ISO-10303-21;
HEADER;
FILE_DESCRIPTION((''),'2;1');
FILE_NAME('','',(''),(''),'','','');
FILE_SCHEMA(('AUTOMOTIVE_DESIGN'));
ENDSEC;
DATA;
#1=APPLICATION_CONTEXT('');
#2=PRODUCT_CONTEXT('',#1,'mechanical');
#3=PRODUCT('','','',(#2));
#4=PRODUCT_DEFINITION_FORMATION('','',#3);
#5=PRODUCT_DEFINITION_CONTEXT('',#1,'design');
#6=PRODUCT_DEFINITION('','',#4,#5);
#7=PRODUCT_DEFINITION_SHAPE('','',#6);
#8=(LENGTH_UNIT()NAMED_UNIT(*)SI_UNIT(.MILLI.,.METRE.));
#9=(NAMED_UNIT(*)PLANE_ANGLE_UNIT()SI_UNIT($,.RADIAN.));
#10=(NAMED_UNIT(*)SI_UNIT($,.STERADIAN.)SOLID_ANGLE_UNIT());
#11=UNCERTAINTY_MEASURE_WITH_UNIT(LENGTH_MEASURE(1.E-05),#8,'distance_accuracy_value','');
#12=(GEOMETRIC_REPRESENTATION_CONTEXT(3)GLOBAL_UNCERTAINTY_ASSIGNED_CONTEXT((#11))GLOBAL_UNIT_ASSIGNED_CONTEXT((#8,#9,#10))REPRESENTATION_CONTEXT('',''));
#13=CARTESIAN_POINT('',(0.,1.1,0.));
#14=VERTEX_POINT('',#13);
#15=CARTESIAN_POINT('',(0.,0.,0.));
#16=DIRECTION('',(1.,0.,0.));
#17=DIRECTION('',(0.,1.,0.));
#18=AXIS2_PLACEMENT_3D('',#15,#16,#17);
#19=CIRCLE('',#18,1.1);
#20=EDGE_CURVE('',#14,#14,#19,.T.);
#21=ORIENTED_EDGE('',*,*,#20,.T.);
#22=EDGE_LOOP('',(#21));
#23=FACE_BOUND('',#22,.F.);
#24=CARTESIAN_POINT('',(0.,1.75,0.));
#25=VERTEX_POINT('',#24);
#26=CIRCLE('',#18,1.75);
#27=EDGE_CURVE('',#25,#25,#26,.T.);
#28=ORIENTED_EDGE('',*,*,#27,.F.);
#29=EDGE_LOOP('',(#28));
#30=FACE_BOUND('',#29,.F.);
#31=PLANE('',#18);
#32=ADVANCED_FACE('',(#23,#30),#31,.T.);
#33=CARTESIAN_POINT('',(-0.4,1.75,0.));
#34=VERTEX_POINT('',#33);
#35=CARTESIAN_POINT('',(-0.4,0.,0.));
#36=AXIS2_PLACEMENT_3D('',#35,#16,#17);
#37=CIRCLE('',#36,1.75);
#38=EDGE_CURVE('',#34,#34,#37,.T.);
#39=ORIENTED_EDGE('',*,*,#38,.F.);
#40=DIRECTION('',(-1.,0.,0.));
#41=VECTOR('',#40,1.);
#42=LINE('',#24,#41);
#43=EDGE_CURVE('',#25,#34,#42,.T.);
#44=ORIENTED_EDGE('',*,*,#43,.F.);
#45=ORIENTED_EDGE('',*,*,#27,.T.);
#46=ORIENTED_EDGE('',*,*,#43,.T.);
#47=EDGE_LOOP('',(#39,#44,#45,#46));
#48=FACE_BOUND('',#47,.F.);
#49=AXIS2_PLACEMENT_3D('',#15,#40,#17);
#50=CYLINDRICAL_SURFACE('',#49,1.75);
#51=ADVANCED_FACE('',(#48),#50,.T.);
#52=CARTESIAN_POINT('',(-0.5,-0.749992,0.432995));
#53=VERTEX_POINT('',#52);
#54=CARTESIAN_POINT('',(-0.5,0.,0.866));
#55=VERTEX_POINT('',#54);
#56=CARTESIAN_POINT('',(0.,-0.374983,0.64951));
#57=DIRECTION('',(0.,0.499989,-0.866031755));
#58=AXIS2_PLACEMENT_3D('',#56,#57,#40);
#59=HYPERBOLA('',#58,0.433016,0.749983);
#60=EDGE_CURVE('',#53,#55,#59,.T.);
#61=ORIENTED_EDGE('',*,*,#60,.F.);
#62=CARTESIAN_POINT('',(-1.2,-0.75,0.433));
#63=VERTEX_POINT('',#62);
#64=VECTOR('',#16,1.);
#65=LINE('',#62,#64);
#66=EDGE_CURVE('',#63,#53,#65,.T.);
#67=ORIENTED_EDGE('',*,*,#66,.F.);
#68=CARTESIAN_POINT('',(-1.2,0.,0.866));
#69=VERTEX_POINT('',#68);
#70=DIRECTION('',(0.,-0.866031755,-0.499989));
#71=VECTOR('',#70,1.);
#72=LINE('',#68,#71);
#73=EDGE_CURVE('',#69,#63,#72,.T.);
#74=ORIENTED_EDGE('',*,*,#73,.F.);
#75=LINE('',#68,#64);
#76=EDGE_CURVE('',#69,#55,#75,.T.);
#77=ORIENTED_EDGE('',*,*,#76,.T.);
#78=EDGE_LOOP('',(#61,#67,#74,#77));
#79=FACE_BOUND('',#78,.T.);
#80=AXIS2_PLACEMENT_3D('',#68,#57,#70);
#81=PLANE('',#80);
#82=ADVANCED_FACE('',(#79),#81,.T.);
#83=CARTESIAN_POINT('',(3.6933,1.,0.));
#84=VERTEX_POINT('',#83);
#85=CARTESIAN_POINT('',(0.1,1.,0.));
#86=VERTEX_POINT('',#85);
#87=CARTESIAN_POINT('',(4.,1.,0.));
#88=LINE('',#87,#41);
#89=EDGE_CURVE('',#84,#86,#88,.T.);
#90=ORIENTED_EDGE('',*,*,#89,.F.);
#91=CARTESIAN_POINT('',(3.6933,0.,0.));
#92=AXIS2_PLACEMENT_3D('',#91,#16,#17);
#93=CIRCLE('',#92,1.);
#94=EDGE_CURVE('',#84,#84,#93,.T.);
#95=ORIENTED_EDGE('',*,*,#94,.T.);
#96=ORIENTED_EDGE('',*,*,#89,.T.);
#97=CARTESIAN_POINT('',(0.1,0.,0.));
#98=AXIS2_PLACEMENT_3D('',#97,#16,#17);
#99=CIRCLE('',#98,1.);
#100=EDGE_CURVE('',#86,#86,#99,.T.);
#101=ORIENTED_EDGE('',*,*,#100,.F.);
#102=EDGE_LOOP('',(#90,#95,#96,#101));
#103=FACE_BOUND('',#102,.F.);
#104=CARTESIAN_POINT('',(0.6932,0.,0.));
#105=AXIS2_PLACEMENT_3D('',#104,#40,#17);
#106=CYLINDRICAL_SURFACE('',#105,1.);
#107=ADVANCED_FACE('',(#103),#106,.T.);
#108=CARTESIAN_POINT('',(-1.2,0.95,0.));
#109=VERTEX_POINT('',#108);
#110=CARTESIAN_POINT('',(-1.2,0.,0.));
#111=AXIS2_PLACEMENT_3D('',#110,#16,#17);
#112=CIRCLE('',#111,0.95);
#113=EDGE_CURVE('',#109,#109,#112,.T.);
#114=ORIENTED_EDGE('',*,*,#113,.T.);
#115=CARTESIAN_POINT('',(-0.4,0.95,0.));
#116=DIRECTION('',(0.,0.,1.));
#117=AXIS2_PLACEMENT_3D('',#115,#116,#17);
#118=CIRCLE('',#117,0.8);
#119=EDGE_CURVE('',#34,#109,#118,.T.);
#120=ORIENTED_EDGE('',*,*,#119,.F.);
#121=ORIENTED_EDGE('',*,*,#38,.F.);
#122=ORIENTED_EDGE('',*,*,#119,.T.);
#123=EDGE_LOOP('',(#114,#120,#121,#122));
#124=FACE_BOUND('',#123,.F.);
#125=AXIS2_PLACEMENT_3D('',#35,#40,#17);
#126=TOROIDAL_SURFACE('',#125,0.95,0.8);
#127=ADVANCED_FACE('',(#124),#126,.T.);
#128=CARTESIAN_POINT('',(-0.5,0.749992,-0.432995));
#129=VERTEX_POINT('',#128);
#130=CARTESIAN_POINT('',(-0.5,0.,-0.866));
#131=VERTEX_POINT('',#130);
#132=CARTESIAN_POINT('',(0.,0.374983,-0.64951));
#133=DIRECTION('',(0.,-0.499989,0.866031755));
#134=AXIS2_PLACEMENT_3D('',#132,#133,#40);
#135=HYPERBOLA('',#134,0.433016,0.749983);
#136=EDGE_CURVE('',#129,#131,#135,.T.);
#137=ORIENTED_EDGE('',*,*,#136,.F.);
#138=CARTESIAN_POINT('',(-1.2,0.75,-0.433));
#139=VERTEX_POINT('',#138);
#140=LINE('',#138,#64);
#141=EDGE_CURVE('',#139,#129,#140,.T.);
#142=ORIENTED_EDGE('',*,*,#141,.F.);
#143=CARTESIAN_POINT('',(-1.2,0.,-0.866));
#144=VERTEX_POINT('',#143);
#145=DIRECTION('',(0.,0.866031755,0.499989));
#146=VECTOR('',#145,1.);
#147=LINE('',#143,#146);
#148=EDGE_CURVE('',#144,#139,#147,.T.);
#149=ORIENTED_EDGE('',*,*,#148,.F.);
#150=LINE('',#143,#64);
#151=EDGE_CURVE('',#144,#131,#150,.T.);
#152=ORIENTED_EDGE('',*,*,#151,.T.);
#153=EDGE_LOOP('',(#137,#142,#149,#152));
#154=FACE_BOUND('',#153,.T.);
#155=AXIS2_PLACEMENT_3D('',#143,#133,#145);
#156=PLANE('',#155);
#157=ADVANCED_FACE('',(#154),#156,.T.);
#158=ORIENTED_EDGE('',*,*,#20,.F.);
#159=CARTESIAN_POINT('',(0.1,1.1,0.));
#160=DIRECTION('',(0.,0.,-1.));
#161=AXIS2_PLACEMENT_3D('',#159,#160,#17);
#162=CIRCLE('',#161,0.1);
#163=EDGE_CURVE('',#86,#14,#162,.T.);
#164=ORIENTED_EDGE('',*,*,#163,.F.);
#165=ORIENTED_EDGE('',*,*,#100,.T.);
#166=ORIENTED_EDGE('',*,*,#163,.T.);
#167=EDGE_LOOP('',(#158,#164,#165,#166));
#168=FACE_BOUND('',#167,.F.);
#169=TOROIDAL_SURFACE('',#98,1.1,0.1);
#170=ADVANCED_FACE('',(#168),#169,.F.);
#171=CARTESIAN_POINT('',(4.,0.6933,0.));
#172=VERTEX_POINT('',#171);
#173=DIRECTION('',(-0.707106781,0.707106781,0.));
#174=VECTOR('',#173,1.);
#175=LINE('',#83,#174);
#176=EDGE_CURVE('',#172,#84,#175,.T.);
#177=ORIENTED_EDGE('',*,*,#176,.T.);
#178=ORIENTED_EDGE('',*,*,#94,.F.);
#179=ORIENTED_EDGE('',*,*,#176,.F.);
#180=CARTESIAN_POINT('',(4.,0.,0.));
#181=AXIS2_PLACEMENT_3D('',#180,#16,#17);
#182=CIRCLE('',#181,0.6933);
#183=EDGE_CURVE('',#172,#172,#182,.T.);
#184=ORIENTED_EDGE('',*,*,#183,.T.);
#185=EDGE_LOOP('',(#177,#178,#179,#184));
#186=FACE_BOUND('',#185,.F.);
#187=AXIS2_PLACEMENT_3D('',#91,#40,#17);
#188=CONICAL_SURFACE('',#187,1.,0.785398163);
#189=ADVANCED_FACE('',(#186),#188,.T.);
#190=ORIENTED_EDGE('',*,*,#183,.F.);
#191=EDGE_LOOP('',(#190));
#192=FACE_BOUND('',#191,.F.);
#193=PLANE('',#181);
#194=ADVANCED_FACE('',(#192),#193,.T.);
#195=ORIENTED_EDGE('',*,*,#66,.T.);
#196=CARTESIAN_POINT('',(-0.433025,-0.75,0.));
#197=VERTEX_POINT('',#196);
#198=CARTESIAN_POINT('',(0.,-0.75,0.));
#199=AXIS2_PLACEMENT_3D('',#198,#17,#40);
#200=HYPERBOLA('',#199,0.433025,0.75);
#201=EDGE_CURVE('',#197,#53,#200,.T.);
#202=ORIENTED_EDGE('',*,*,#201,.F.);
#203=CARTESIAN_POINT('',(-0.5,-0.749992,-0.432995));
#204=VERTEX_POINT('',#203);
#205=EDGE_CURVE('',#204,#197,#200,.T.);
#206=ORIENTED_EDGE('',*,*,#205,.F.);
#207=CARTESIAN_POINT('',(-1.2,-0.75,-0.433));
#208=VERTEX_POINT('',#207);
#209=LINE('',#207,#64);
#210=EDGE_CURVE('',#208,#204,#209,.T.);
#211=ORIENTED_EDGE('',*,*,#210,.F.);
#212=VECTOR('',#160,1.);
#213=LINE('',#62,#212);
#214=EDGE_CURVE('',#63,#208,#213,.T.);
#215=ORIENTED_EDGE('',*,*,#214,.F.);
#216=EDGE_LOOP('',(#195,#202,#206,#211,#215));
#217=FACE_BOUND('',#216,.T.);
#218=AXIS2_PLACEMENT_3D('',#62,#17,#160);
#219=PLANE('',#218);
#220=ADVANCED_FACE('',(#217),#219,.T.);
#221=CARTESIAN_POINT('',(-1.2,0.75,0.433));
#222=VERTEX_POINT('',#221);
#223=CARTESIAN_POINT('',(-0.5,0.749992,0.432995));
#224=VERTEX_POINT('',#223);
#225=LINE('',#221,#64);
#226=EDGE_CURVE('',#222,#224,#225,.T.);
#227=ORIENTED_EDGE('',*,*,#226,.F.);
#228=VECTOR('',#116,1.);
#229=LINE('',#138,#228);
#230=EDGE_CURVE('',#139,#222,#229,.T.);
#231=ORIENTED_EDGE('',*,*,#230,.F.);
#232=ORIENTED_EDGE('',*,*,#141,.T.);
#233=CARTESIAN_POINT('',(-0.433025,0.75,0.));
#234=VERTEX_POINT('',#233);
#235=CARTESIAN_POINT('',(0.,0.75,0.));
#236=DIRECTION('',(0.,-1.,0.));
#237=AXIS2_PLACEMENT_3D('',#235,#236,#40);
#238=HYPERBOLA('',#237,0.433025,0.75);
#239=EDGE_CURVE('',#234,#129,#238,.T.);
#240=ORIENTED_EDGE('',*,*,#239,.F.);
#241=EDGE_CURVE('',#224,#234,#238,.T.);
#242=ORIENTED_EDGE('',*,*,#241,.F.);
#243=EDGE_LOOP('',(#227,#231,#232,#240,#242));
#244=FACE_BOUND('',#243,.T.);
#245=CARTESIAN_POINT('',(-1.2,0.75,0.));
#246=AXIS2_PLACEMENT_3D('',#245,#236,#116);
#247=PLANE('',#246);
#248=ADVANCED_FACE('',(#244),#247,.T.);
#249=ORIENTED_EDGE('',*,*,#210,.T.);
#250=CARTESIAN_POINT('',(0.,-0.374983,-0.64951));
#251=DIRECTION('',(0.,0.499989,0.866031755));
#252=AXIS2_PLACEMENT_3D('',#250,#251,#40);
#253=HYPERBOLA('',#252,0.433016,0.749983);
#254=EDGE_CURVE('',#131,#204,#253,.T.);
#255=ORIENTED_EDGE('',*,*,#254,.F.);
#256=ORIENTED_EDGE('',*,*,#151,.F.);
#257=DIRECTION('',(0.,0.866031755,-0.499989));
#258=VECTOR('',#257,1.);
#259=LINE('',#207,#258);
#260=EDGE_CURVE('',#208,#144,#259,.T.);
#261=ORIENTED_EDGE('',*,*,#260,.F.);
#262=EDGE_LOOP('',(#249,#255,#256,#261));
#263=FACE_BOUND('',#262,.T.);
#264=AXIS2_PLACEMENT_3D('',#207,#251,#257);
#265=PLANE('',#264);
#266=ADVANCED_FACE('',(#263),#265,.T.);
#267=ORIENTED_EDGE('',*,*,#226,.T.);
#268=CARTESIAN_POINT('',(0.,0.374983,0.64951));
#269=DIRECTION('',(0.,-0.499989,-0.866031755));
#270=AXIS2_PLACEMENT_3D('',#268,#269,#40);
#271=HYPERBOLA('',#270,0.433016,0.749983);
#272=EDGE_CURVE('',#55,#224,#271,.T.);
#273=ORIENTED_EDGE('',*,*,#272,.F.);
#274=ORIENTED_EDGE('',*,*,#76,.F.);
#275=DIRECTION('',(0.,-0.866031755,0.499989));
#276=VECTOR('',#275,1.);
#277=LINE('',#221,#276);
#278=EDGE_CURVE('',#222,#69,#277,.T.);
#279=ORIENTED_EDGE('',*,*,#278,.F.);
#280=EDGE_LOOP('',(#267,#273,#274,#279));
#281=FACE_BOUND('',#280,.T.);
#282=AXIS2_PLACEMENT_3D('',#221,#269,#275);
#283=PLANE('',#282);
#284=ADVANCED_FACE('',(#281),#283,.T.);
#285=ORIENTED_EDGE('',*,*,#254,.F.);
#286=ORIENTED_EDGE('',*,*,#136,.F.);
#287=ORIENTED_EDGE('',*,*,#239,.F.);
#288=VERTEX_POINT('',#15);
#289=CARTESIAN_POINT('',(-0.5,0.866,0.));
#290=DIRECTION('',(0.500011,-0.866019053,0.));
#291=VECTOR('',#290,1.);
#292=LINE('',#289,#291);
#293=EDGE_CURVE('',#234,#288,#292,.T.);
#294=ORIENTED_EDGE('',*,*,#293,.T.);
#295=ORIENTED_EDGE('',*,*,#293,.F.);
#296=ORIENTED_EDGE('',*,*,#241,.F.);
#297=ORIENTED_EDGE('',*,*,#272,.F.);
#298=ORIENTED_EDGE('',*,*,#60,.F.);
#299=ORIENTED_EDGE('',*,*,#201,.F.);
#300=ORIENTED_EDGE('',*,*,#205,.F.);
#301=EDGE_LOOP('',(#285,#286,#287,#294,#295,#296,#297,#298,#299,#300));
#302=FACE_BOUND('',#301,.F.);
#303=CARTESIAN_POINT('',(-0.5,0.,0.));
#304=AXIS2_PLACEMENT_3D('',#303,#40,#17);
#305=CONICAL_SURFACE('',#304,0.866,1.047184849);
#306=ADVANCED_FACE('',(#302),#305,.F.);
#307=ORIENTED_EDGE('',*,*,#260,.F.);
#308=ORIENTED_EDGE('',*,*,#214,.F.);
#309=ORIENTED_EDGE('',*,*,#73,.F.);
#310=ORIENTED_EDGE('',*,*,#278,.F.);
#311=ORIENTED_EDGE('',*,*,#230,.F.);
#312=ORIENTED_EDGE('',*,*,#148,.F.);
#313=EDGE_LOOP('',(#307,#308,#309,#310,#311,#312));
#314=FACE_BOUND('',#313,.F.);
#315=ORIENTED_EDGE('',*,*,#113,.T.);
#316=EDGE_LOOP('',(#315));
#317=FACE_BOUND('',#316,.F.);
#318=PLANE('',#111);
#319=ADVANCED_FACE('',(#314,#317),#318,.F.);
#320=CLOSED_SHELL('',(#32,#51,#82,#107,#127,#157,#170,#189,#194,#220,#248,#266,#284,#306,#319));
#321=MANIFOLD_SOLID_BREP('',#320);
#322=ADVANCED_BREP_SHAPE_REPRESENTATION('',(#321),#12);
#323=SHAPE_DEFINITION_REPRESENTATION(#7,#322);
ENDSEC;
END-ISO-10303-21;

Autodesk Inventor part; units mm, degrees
ref_plane "YZ Plane" through (0, 0, 0) normal (1, 0, 0) x (0, 1, 0)
ref_plane "XZ Plane" through (0, 0, 0) normal (0, 1, 0) x (-1, 0, 0)
sketch "Sketch1" plane through (0, 0, 0) normal (0, 0, 1) x (1, 0, 0)
  line L0 (0, 0) -> (4, 0)
  line L1 (4, 0) -> (4, 1)
  line L2 (4, 1) -> (1, 1)
  line L3 (1, 1) -> (0.6932, 1)
  line L4 (0.6932, 1) -> (0, 1)
  line L5 (0, 1) -> (0, 1.75)
  line L6 (0, 1.75) -> (-1.2, 1.75)
  line L7 (-1.2, 1.75) -> (-1.2, 0.866)
  line L8 (-1.2, 0.866) -> (-0.5, 0.866)
  line L9 (-0.5, 0.866) -> (0, 0)
  line L10 (-2.24, 0) -> (5.04, 0) projected
  line L11 (0, -0.35) -> (0, 2.1) projected
  line L12 (1, 1) -> (0, 1) construction
  dimension "d1" = 3
  dimension "d2" = 0.3068
  dimension "d3" = 1.2
  dimension "d4" = 0.7
  dimension "d5" = 60
  dimension "d6" = 2
  dimension "d7" = 2
  dimension "d8" = 1.7321
  dimension "d9" = 3.5
  dimension "d26" = 4
revolve "Body" add sketch "Sketch1" angle 360 about axis through (0, 0, 0) along (1, 0, 0)
sketch "Sketch2" plane through (-1.2, 0, 0) normal (-1, 0, 0) x (0, 0, 1)
  circle A0 centre (0, 0) radius 0.866 projected
  line L0 (0, -2.45) -> (0, 2.45) projected
  line L1 (-2.45, 0) -> (2.45, 0) projected
  line L2 (0.866, 0) -> (0.433, -0.75)
  line L3 (0.433, -0.75) -> (-0.433, -0.75)
  line L4 (-0.433, -0.75) -> (-0.866, 0)
  line L5 (-0.866, 0) -> (-0.433, 0.75)
  line L6 (-0.433, 0.75) -> (0.433, 0.75)
  line L7 (0.433, 0.75) -> (0.866, 0)
extrude "Slot" add sketch "Sketch2" against normal up to next contours L7 A0 | A0 L2 | L6 L0 A0 | A0 L0 L3 | L0 L6 A0 | A0 L3 L0 | L4 A0 | A0 L5
fillet "Fillet1" radius 0.8 1 edges at (-1.2, -1.75, 0)
chamfer "Chamfer1" distance 0.3067 distance2 0.3067 1 edges at (4, -1, 0) measured on face at (4, -0.0726, 0.3778)
ref_plane "Work Plane1" through (29, 0, 0) normal (0, -1, 0) x (1, 0, 0)
fillet "Fillet2" radius 0.1 1 edges at (0, -1, 0)
thread "Thread2" size "M2x0.4" class "6g" standard "ANSI Metric M Profile" full length
equation "\"d15\" = -0.5 * SPD + 0.5 * GD"
equation "\"d16\" = GUL"
equation "\"GD\" = NND"
equation "\"NLG\" = 6"
equation "\"GEL\" = 4.5"
equation "\"KOD\" = 5.7"
equation "\"KOH\" = 1.65"
equation "\"INTI\" = 1.04"
equation "\"GAL\" = 0.61345 * PTC"
equation "\"GUL\" = 0.61345 * PTC"
equation "\"BDM\" = NND"
equation "\"SW\" = 2"
equation "\"RR\" = 1.45"
equation "\"SPD\" = NND - 1.2269 * PTC"
equation "\"R\" = 0.3"
equation "\"TOA\" = 30deg"
equation "\"GD1\" = THREADDIA - 1.2269 * PTC"
equation "\"THREADDIA\" = 3"
equation "\"PTC\" = 0.5"
equation "\"NND\" = 3"
equation "\"KOH1\" = 0.2"
equation "\"E0\" = 2.303"
properties part number "M2x4 Bolt Round" material "Stainless Steel"
